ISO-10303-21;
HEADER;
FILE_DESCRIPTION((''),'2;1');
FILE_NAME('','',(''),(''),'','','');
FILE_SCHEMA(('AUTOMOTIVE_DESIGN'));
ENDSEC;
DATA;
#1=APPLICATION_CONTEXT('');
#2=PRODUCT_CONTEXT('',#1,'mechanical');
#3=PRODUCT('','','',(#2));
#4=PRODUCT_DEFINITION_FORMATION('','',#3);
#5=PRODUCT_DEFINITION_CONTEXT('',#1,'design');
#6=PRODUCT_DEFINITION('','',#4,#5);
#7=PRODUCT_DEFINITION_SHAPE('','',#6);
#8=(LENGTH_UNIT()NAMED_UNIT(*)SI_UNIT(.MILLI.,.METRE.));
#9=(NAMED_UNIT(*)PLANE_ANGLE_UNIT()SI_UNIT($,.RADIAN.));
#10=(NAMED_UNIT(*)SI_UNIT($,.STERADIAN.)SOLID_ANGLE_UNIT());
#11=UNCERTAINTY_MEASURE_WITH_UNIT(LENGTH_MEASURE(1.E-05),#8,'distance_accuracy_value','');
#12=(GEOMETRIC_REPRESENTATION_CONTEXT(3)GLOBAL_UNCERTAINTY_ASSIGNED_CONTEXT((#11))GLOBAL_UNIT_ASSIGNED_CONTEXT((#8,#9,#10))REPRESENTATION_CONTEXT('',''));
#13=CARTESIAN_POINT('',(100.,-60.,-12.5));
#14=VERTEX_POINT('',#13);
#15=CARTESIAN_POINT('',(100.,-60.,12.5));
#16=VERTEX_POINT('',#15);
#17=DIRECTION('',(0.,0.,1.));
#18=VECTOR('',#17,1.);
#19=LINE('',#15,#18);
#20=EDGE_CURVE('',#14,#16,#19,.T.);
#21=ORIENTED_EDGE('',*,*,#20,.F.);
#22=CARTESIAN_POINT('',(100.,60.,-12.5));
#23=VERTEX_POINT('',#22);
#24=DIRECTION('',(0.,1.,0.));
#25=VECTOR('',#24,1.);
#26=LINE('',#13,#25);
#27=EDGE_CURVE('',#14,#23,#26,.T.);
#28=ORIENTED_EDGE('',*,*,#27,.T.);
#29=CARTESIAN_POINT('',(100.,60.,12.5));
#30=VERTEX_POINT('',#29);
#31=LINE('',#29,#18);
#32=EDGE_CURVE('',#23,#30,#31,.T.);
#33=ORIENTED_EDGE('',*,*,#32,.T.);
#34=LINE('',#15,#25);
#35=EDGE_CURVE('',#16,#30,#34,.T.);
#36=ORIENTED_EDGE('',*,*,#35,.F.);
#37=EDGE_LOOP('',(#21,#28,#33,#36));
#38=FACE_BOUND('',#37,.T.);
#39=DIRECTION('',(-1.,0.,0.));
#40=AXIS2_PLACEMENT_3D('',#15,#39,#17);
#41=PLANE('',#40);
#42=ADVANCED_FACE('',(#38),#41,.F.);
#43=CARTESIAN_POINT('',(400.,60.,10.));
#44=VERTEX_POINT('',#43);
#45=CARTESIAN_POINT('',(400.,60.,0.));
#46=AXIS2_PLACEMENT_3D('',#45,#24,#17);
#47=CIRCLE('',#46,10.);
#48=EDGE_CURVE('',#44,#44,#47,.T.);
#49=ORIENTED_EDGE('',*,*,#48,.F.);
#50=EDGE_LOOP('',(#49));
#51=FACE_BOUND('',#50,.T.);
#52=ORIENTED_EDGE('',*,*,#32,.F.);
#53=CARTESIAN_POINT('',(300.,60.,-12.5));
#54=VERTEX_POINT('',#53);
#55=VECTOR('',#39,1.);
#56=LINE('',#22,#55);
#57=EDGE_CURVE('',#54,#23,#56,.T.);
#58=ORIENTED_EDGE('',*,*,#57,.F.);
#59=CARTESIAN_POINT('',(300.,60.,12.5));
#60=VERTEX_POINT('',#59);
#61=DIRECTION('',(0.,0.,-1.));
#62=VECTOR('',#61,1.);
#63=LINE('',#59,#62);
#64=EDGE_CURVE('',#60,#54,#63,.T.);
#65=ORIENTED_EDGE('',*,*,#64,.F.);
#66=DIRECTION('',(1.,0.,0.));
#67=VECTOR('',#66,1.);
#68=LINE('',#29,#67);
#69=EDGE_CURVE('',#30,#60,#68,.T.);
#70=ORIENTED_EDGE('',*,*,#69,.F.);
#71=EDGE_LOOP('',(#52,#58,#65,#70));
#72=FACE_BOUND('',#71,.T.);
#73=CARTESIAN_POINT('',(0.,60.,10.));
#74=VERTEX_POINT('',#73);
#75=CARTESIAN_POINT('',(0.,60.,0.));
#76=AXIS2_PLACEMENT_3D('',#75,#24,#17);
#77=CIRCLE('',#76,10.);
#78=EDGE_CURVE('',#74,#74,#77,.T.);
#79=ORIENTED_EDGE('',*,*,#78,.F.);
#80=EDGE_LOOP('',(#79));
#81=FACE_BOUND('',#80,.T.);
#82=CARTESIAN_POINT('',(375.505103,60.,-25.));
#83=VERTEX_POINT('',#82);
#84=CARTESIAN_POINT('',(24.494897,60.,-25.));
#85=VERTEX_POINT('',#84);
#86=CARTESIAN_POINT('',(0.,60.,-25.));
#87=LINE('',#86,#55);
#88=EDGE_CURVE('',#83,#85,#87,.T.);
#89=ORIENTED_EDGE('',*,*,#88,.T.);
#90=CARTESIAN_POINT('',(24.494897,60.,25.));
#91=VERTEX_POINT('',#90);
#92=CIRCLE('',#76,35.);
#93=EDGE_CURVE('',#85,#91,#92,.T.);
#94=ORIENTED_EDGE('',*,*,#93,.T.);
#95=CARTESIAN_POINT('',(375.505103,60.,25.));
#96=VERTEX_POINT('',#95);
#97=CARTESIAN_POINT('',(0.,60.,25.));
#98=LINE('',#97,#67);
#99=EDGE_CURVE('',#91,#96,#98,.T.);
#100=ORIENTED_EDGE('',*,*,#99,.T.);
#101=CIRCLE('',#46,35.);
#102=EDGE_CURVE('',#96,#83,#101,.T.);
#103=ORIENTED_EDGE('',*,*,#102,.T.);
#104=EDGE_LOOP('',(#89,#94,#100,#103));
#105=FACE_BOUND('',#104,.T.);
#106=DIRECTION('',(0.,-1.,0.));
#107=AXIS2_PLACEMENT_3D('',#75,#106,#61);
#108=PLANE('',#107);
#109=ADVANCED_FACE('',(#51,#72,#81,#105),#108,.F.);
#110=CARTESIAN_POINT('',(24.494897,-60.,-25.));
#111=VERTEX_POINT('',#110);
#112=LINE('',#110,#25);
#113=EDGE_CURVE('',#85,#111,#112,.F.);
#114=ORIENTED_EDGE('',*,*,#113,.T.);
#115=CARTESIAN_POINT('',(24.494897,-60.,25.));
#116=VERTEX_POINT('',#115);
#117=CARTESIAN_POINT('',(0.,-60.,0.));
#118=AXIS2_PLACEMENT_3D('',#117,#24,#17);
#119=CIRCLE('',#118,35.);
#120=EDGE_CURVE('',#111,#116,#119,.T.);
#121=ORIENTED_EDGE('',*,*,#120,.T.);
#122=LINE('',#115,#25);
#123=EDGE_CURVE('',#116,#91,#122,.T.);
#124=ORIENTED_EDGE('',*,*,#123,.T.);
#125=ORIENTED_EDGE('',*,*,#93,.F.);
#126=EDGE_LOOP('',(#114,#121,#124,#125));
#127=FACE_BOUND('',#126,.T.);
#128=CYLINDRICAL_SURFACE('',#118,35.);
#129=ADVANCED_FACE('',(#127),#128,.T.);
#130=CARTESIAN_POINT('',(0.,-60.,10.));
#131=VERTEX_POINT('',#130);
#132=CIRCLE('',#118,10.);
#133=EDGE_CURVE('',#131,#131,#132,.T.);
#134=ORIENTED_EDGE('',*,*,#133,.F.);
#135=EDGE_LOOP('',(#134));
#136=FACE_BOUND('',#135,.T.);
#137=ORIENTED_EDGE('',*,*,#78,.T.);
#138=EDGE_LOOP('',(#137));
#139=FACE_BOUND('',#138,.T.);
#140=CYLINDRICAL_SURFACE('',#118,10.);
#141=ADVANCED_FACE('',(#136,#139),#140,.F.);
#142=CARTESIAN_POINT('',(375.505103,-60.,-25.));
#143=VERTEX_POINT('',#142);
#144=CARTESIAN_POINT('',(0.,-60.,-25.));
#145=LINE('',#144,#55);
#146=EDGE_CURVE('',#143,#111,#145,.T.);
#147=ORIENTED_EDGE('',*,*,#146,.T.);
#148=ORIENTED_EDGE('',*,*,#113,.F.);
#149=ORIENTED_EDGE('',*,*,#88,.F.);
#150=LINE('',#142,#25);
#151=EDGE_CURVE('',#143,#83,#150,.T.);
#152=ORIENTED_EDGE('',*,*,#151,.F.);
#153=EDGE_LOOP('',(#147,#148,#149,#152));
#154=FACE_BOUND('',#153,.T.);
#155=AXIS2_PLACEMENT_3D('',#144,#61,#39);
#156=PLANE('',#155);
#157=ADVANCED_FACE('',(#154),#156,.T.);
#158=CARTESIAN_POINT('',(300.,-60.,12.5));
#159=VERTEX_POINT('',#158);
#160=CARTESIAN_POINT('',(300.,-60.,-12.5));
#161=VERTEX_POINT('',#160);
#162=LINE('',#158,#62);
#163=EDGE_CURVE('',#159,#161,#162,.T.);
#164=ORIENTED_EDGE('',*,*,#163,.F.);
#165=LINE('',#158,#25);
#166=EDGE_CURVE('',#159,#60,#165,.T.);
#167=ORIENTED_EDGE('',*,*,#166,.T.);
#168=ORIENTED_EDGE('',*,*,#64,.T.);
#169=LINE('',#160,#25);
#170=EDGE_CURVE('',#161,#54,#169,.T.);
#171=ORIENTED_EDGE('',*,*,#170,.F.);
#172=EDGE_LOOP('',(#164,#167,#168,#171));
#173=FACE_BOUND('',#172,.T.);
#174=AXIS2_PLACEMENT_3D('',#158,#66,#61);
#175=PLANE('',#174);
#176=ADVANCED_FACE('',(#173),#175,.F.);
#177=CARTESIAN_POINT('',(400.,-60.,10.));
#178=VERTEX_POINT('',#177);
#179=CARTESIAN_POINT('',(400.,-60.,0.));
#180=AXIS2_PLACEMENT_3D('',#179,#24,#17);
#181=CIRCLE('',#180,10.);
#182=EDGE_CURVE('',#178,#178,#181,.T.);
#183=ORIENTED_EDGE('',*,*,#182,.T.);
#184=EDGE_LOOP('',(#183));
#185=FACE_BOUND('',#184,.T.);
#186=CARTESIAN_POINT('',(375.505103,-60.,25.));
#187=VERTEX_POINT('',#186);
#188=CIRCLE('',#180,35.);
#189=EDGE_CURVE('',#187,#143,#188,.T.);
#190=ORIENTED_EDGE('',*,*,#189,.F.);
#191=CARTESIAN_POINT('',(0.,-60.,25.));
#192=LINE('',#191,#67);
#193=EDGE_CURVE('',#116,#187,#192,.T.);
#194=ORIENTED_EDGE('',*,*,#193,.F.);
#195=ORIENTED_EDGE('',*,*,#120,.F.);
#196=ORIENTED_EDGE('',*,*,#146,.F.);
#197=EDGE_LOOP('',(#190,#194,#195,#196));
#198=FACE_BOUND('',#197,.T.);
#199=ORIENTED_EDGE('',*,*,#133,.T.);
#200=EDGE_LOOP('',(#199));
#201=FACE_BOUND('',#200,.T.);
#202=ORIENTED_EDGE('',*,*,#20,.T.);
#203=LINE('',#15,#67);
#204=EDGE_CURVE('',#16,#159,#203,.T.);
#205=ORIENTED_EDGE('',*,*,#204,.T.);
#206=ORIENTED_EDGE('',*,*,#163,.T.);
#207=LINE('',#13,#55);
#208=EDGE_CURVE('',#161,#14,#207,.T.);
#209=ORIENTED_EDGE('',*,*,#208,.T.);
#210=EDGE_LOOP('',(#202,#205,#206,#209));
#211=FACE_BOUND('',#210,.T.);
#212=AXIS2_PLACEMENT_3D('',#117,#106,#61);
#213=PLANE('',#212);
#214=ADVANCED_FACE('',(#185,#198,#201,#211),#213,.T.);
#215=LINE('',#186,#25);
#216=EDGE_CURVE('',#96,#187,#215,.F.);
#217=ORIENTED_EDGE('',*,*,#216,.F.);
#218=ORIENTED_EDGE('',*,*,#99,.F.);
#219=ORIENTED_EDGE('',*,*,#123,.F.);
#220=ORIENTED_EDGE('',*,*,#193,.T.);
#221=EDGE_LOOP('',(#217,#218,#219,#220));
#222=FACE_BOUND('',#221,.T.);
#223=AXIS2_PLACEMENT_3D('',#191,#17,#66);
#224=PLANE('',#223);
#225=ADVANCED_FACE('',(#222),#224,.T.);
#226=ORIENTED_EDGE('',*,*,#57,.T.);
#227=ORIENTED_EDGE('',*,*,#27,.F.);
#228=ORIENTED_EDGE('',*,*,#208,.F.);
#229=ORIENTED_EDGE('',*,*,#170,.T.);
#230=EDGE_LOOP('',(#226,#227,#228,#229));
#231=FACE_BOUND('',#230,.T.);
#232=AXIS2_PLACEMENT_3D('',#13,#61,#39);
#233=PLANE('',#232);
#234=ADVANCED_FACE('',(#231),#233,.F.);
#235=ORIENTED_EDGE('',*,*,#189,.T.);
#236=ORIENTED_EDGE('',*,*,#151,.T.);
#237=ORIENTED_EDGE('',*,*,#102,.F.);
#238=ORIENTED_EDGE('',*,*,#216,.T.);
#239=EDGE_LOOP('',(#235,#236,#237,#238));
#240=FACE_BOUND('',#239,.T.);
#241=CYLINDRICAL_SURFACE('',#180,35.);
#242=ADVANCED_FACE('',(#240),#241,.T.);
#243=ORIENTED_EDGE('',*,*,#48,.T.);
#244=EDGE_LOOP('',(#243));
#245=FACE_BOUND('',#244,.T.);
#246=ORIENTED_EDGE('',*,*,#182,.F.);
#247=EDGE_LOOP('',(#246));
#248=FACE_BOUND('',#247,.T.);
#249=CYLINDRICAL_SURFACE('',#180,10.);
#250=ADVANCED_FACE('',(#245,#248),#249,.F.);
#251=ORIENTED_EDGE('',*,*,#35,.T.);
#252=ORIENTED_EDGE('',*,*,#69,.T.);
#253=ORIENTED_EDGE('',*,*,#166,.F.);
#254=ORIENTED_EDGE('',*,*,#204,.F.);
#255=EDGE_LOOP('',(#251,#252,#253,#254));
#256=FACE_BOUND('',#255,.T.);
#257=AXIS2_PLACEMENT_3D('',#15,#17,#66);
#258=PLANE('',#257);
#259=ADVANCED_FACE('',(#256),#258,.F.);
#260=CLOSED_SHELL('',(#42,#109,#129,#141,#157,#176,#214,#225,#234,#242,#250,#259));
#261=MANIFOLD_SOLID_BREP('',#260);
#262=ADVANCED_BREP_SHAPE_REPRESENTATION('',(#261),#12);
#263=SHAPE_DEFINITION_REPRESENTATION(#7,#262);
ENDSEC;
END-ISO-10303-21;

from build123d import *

# Parameters (mm, degrees)
BOSS_EXTRUDE1_DEPTH      = 60
BOSS_EXTRUDE1_DEPTH_BACK = 60
SKETCH1_W                = 400
SKETCH1_H                = 50
BOSS_EXTRUDE2_DEPTH      = 60
BOSS_EXTRUDE2_DEPTH_BACK = 60
SKETCH2_R                = 35
CUT_EXTRUDE1_DEPTH       = 60
CUT_EXTRUDE1_DEPTH_BACK  = 60
SKETCH3_R                = 10
CUT_EXTRUDE2_DEPTH       = 60
CUT_EXTRUDE2_DEPTH_BACK  = 60
SKETCH4_W                = 200
SKETCH4_H                = 25


with BuildPart() as part:
    # Sketch1 → Boss-Extrude1 (new, two sides: drawn at the far end of the back side and taken through both)
    with BuildSketch(Plane(origin=(0, 0, 0), x_dir=(1, 0, 0), z_dir=(0, 1, 0)).offset(-BOSS_EXTRUDE1_DEPTH_BACK)):
        with Locations((200, 0)):
            Rectangle(SKETCH1_W, SKETCH1_H)
    extrude(amount=BOSS_EXTRUDE1_DEPTH + BOSS_EXTRUDE1_DEPTH_BACK)

    # Sketch2 → Boss-Extrude2 (add, two sides: drawn at the far end of the back side and taken through both)
    with BuildSketch(Plane(origin=(0, 0, 0), x_dir=(1, 0, 0), z_dir=(0, 1, 0)).offset(-BOSS_EXTRUDE2_DEPTH_BACK)):
        Circle(SKETCH2_R)
        with Locations((400, 0)):
            Circle(SKETCH2_R)
    extrude(amount=BOSS_EXTRUDE2_DEPTH + BOSS_EXTRUDE2_DEPTH_BACK)

    # Sketch3 → Cut-Extrude1 (cut, two sides: drawn at the far end of the back side and taken through both)
    with BuildSketch(Plane(origin=(0, 0, 0), x_dir=(1, 0, 0), z_dir=(0, 1, 0)).offset(-CUT_EXTRUDE1_DEPTH_BACK)):
        Circle(SKETCH3_R)
        with Locations((400, 0)):
            Circle(SKETCH3_R)
    extrude(amount=CUT_EXTRUDE1_DEPTH + CUT_EXTRUDE1_DEPTH_BACK, mode=Mode.SUBTRACT)

    # Sketch4 → Cut-Extrude2 (cut, two sides: drawn at the far end of the back side and taken through both)
    with BuildSketch(Plane(origin=(0, 0, 0), x_dir=(1, 0, 0), z_dir=(0, 1, 0)).offset(-CUT_EXTRUDE2_DEPTH_BACK)):
        with Locations((200, 0)):
            Rectangle(SKETCH4_W, SKETCH4_H)
    extrude(amount=CUT_EXTRUDE2_DEPTH + CUT_EXTRUDE2_DEPTH_BACK, mode=Mode.SUBTRACT)


solid = part.part
